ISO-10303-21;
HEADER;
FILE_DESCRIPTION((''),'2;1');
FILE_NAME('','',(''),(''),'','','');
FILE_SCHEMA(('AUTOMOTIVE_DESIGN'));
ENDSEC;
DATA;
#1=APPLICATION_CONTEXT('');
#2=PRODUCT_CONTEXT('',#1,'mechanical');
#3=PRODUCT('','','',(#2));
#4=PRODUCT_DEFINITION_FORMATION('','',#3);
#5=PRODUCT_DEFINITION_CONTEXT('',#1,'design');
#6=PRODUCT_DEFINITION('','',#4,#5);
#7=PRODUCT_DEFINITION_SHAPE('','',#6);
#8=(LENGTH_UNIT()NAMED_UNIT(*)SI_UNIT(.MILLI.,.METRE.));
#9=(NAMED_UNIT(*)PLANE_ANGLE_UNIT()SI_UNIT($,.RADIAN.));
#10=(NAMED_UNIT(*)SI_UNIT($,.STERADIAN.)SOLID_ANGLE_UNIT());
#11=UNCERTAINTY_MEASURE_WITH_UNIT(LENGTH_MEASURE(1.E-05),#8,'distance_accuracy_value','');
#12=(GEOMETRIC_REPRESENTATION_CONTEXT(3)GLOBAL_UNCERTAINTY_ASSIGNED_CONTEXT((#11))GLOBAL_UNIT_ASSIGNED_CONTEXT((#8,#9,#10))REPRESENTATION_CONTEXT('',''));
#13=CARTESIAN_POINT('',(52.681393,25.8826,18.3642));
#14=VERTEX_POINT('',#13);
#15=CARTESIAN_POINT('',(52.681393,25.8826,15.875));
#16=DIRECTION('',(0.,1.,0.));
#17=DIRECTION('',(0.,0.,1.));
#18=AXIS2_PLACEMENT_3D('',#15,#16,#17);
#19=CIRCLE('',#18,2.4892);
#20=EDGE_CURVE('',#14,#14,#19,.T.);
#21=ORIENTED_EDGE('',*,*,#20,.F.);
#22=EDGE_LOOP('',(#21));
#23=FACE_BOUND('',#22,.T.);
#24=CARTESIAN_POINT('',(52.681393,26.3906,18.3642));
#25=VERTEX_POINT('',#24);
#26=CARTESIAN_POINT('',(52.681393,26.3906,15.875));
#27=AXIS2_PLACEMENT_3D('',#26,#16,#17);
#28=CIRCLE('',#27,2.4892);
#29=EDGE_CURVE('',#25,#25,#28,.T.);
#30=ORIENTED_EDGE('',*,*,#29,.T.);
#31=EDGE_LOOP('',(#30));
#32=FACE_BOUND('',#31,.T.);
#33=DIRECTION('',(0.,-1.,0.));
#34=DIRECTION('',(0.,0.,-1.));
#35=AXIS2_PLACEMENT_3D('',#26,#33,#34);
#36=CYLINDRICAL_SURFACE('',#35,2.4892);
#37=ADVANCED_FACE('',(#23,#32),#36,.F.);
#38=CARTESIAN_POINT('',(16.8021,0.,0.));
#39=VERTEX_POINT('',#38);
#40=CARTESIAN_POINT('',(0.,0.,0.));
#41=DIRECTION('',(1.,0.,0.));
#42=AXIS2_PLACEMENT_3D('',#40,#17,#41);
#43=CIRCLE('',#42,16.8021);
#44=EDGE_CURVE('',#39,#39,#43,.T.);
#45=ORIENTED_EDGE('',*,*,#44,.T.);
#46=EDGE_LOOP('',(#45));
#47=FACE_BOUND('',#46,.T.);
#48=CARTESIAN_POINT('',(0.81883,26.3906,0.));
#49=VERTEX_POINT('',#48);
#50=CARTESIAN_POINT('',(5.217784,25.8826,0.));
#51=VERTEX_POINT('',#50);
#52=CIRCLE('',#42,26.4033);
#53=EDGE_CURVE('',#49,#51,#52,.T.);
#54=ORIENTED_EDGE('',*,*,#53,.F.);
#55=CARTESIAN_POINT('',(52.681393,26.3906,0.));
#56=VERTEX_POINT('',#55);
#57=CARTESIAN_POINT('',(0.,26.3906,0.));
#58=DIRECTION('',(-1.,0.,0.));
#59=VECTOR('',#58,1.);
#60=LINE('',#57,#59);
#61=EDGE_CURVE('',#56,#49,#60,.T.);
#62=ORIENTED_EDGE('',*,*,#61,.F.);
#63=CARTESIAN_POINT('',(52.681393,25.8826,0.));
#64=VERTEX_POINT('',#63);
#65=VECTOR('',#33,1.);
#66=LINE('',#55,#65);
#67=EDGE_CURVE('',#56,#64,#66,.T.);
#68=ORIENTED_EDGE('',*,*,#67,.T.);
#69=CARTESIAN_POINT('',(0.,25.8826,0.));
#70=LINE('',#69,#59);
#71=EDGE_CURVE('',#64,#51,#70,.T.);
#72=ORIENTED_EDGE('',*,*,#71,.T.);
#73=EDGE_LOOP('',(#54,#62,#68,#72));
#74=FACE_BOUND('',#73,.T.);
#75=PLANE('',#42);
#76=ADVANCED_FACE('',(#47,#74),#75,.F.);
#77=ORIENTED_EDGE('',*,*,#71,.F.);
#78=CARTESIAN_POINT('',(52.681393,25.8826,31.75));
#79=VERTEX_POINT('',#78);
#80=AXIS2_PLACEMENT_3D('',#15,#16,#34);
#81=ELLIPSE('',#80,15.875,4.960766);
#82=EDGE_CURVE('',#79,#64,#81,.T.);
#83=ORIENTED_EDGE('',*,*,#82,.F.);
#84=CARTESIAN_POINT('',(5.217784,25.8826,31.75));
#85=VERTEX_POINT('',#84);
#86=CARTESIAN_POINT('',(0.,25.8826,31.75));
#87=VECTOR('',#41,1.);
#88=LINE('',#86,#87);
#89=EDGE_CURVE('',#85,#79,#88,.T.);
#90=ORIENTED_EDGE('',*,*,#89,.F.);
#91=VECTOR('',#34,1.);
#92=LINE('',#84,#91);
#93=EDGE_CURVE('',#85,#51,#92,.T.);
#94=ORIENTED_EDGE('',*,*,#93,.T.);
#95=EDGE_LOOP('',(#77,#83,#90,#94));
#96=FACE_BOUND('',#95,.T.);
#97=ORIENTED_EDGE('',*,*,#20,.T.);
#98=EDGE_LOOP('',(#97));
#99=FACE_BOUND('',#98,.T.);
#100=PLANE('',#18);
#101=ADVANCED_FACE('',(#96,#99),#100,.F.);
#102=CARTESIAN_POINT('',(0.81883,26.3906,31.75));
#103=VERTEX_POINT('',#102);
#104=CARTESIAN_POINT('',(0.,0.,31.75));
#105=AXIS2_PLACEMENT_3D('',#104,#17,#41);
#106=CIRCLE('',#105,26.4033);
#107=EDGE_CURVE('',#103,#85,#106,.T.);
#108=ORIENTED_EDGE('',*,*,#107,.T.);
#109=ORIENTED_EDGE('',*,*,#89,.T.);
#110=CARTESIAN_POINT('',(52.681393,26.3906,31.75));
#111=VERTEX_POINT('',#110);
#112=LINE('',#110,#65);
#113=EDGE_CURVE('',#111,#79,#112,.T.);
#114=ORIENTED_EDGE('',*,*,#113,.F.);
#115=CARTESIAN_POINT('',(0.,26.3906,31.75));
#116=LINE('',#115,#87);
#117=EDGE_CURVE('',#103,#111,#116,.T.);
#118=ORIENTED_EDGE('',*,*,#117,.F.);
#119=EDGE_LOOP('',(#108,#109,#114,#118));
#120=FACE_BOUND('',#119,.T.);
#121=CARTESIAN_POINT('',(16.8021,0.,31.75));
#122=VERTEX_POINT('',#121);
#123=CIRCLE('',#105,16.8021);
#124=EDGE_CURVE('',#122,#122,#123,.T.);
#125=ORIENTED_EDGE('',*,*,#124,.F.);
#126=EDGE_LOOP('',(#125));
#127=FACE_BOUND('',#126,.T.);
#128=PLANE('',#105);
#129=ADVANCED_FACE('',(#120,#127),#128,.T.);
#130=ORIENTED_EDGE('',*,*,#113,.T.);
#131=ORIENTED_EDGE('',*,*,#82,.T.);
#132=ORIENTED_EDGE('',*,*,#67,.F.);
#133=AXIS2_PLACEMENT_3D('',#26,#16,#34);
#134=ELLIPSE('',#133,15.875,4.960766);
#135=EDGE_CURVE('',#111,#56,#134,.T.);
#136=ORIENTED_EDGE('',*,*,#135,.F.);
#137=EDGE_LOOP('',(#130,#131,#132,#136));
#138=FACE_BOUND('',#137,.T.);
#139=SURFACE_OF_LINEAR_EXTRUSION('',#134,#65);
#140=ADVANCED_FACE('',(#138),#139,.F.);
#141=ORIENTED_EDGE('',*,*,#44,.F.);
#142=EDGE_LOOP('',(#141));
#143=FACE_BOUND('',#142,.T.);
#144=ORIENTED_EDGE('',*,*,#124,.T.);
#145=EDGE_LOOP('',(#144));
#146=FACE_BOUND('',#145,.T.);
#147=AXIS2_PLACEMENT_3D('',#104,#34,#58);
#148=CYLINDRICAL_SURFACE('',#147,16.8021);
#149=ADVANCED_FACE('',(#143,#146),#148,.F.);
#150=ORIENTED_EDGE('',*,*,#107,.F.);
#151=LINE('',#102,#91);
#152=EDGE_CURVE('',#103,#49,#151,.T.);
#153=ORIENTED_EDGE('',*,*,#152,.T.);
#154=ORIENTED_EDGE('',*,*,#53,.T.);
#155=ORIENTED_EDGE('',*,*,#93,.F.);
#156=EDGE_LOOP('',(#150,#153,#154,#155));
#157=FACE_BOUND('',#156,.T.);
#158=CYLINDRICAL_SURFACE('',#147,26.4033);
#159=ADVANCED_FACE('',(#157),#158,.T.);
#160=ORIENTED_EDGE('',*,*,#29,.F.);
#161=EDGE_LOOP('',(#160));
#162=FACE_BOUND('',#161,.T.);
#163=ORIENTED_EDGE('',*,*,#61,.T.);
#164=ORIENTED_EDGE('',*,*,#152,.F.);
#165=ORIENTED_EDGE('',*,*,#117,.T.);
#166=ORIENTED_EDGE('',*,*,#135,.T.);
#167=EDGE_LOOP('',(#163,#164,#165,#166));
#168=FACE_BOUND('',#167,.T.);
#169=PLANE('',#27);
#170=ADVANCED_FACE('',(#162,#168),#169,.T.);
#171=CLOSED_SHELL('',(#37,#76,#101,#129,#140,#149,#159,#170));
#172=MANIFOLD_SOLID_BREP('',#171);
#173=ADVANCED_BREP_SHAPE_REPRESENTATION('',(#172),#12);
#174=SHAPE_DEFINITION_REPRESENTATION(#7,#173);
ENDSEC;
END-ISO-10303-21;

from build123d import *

# Parameters (mm, degrees)
SKETCH1_R           = 26.4033
SKETCH1_R_2         = 16.8021
BOSS_EXTRUDE1_DEPTH = 31.75
SKETCH2_R           = 2.4892
BOSS_EXTRUDE2_DEPTH = 0.508


with BuildPart() as part:
    # Sketch1 → Boss-Extrude1 (new body)
    with BuildSketch(Plane.XY):
        Circle(SKETCH1_R)
        Circle(SKETCH1_R_2, mode=Mode.SUBTRACT)
    extrude(amount=BOSS_EXTRUDE1_DEPTH)

    # Sketch2 → Boss-Extrude2 (add)
    with BuildSketch(Plane(origin=(0, 25.8826, 0), x_dir=(1, 0, 0), z_dir=(0, 1, 0))):
        with BuildLine():
            Line((0, -31.75), (0, 0))
            Line((0, 0), (52.681392922, 0))
            add(Edge.make_bspline(
                [(52.681392922, -31.75), (57.642158889, -31.75), (57.642158889, -15.875), (57.642158889, 0), (52.681392922, 0)],
                knots=[3.141592654, 3.141592654, 3.141592654, 4.71238898, 4.71238898, 6.283185307, 6.283185307, 6.283185307], degree=2, weights=[1, 0.707106781, 1, 0.707106781, 1]))
            Line((52.681392922, -31.75), (0, -31.75))
        make_face()
        with Locations((52.681392922, -15.875)):
            Circle(SKETCH2_R, mode=Mode.SUBTRACT)
    extrude(amount=BOSS_EXTRUDE2_DEPTH)


solid = part.part
